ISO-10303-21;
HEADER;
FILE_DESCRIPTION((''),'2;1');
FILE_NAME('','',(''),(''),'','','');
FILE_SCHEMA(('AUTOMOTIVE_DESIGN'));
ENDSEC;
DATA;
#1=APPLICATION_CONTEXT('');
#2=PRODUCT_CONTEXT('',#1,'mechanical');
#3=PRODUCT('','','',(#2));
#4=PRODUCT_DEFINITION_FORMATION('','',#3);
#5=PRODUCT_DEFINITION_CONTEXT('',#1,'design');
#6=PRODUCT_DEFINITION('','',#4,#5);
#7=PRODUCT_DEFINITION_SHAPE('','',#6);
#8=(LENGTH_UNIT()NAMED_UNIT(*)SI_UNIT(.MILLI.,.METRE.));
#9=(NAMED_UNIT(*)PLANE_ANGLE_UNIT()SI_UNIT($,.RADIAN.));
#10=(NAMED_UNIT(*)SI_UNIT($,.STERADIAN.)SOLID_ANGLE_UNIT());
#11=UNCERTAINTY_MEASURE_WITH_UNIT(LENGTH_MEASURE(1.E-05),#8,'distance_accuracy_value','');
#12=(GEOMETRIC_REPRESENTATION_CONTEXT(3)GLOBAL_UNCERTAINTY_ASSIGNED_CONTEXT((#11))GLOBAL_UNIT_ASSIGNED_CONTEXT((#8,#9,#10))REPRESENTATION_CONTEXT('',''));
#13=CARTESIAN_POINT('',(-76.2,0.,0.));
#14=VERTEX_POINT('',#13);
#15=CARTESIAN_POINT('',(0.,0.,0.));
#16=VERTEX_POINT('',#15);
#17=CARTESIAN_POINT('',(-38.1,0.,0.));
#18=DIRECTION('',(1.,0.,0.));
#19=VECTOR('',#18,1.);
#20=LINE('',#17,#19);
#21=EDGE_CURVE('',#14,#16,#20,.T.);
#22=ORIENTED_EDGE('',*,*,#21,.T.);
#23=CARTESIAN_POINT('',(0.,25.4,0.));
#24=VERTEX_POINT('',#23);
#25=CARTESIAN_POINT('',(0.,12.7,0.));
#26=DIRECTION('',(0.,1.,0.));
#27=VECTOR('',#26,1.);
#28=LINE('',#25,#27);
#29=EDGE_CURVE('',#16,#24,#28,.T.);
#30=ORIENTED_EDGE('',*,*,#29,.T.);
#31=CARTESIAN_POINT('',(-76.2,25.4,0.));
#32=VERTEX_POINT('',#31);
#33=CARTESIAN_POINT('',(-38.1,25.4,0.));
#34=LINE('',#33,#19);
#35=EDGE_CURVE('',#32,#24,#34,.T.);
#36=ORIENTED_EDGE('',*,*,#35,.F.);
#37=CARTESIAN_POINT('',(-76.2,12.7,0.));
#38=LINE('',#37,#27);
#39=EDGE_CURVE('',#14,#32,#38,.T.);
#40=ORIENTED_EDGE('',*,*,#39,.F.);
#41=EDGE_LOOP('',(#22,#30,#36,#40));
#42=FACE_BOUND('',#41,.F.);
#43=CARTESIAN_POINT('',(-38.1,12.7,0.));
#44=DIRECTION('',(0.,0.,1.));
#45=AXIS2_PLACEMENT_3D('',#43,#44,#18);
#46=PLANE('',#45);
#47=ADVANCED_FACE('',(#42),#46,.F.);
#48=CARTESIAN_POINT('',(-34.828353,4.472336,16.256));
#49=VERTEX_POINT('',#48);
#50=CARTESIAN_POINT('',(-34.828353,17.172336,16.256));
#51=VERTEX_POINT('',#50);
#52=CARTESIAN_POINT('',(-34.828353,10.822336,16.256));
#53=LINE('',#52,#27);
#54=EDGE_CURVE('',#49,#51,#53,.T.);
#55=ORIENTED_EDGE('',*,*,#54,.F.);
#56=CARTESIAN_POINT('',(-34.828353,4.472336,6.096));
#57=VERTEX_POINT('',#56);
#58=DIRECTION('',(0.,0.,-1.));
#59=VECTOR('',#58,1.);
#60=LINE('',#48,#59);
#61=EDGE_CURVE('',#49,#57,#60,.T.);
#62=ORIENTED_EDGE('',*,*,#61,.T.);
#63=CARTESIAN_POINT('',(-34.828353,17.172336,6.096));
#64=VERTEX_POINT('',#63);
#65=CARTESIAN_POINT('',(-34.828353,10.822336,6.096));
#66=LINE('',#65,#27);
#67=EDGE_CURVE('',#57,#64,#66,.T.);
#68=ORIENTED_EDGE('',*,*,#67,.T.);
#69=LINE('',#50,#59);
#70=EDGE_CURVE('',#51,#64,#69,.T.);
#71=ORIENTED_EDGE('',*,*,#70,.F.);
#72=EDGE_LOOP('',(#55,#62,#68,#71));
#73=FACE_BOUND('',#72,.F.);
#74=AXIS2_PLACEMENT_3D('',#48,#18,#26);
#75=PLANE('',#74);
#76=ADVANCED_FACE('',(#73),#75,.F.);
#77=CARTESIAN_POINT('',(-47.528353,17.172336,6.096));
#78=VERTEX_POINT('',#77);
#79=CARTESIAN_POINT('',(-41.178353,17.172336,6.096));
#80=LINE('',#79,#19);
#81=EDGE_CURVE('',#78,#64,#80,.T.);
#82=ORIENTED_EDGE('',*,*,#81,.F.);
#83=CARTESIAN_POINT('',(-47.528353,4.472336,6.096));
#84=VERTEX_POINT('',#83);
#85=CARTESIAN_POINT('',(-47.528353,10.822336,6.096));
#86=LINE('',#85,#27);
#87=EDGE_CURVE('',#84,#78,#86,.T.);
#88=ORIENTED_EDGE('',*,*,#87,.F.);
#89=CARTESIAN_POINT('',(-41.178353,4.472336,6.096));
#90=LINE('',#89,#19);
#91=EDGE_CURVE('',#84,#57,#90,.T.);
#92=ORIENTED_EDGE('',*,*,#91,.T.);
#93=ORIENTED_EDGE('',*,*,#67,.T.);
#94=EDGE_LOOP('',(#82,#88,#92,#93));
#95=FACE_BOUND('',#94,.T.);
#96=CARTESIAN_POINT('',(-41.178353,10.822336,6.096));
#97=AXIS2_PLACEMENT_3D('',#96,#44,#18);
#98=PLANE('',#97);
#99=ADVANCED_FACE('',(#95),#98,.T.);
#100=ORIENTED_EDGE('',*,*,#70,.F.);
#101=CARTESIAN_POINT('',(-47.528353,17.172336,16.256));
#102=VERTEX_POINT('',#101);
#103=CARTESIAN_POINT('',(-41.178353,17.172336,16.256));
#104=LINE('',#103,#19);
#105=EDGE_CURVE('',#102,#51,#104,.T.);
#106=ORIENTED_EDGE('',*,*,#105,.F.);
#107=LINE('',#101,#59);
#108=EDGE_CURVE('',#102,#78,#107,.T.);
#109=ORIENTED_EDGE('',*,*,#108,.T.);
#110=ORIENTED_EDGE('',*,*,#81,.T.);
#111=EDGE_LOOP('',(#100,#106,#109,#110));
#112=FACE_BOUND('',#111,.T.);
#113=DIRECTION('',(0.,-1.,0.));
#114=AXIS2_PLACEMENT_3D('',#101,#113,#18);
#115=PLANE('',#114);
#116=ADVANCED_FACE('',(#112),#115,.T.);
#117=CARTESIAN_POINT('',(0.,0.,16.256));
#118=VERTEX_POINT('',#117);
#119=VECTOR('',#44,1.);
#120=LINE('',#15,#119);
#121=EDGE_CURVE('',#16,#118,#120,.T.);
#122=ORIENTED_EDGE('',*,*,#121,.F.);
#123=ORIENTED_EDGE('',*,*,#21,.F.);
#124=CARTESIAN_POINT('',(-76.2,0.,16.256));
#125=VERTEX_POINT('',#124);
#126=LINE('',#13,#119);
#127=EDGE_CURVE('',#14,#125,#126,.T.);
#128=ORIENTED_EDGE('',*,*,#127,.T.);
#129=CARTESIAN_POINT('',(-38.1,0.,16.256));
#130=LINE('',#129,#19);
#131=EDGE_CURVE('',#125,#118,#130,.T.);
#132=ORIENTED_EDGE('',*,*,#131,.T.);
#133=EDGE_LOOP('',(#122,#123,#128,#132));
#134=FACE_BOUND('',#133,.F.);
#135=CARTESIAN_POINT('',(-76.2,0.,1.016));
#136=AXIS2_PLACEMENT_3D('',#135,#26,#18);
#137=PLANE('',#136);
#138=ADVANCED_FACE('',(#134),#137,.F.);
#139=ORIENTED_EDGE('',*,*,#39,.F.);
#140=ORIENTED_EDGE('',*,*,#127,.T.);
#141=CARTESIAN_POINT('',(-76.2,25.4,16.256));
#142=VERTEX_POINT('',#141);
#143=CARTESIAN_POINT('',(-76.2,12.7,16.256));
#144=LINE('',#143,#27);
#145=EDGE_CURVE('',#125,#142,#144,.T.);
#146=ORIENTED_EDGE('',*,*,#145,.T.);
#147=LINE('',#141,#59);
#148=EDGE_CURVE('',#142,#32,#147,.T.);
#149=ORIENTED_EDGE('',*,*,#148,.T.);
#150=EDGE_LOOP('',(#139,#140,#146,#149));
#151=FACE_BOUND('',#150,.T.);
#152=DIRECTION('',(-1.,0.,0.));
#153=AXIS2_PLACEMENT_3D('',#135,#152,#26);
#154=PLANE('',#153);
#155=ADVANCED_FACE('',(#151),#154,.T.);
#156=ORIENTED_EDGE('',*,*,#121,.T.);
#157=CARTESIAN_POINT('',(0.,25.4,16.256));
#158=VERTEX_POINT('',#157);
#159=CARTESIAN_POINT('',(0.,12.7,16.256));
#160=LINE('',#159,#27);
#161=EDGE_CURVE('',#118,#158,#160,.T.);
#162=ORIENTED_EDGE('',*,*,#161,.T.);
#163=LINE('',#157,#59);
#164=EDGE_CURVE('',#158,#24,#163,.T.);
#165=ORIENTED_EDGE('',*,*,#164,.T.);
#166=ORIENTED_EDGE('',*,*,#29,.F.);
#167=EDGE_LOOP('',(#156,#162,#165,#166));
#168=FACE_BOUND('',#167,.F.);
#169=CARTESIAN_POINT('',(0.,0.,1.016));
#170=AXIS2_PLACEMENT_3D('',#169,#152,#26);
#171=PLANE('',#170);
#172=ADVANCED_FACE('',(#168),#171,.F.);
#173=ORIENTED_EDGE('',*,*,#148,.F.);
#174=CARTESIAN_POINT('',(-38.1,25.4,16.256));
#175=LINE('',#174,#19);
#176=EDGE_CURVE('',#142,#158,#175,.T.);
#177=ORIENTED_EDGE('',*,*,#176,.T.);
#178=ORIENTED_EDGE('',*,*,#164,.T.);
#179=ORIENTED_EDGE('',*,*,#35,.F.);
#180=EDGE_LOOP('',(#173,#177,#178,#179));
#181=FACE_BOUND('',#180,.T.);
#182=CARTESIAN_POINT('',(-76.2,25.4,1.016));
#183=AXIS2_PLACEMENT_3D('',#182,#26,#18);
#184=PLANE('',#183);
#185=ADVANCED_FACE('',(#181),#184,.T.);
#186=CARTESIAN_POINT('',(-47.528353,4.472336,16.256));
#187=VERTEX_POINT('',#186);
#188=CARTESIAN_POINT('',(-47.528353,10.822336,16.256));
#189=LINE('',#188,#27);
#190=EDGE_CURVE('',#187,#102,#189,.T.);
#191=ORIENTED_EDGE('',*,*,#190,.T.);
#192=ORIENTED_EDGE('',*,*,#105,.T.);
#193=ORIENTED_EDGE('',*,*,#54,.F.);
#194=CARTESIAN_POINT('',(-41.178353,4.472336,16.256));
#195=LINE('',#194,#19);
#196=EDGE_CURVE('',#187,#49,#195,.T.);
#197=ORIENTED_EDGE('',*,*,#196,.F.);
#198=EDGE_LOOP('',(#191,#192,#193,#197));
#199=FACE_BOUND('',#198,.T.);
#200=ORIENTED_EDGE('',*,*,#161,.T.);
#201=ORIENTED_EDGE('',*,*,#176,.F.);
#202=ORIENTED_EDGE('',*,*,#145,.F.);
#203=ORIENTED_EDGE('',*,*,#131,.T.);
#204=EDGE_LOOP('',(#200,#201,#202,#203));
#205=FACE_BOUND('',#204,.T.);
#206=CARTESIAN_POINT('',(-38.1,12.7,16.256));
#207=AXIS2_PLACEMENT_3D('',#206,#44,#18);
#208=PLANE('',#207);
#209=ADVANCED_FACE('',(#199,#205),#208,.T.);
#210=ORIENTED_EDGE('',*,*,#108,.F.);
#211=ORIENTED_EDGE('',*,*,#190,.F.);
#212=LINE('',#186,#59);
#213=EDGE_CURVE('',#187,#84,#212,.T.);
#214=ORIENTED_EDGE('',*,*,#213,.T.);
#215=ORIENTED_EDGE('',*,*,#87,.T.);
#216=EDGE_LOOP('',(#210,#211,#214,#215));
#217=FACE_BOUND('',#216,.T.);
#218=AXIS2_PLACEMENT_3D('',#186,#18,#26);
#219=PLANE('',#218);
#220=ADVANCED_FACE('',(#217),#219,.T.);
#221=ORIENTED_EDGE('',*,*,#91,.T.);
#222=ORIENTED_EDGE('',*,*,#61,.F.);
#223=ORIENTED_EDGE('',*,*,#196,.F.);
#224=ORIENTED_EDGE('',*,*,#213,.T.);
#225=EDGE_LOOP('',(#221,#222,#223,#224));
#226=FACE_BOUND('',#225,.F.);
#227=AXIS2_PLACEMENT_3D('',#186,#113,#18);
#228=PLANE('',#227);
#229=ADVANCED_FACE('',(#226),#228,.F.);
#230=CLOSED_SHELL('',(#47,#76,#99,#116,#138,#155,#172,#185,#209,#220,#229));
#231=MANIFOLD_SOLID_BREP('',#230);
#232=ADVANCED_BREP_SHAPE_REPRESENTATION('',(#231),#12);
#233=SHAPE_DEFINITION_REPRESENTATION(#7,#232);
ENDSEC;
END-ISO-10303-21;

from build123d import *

# Parameters (mm, degrees)
F0_W      = 76.2
F0_H      = 25.4
F1_DEPTH  = 1.016
F1_FACE_W = 76.2
F1_FACE_H = 25.4
F2_DEPTH  = 15.24
F3_W      = 12.7
F3_H      = 12.7
F4_DEPTH  = 10.16


with BuildPart() as f1:
    # F0 (on Top) → F1 (new body)
    with BuildSketch(Plane.XY):
        with Locations((-38.1, 12.7)):
            Rectangle(F0_W, F0_H)
    extrude(amount=F1_DEPTH)

    # F1_face (on face) → F2 (join)
    with BuildSketch(Plane(origin=(-38.1, 12.7, 1.016), x_dir=(1, 0, 0), z_dir=(0, 0, 1))):
        Rectangle(F1_FACE_W, F1_FACE_H)
    extrude(amount=F2_DEPTH)

    # F3 (on face) → F4 (cut)
    with BuildSketch(Plane.XY.offset(16.256)):
        with Locations((-41.178353, 10.822336)):
            Rectangle(F3_W, F3_H)
    extrude(amount=-F4_DEPTH, mode=Mode.SUBTRACT)


solid = f1.part
